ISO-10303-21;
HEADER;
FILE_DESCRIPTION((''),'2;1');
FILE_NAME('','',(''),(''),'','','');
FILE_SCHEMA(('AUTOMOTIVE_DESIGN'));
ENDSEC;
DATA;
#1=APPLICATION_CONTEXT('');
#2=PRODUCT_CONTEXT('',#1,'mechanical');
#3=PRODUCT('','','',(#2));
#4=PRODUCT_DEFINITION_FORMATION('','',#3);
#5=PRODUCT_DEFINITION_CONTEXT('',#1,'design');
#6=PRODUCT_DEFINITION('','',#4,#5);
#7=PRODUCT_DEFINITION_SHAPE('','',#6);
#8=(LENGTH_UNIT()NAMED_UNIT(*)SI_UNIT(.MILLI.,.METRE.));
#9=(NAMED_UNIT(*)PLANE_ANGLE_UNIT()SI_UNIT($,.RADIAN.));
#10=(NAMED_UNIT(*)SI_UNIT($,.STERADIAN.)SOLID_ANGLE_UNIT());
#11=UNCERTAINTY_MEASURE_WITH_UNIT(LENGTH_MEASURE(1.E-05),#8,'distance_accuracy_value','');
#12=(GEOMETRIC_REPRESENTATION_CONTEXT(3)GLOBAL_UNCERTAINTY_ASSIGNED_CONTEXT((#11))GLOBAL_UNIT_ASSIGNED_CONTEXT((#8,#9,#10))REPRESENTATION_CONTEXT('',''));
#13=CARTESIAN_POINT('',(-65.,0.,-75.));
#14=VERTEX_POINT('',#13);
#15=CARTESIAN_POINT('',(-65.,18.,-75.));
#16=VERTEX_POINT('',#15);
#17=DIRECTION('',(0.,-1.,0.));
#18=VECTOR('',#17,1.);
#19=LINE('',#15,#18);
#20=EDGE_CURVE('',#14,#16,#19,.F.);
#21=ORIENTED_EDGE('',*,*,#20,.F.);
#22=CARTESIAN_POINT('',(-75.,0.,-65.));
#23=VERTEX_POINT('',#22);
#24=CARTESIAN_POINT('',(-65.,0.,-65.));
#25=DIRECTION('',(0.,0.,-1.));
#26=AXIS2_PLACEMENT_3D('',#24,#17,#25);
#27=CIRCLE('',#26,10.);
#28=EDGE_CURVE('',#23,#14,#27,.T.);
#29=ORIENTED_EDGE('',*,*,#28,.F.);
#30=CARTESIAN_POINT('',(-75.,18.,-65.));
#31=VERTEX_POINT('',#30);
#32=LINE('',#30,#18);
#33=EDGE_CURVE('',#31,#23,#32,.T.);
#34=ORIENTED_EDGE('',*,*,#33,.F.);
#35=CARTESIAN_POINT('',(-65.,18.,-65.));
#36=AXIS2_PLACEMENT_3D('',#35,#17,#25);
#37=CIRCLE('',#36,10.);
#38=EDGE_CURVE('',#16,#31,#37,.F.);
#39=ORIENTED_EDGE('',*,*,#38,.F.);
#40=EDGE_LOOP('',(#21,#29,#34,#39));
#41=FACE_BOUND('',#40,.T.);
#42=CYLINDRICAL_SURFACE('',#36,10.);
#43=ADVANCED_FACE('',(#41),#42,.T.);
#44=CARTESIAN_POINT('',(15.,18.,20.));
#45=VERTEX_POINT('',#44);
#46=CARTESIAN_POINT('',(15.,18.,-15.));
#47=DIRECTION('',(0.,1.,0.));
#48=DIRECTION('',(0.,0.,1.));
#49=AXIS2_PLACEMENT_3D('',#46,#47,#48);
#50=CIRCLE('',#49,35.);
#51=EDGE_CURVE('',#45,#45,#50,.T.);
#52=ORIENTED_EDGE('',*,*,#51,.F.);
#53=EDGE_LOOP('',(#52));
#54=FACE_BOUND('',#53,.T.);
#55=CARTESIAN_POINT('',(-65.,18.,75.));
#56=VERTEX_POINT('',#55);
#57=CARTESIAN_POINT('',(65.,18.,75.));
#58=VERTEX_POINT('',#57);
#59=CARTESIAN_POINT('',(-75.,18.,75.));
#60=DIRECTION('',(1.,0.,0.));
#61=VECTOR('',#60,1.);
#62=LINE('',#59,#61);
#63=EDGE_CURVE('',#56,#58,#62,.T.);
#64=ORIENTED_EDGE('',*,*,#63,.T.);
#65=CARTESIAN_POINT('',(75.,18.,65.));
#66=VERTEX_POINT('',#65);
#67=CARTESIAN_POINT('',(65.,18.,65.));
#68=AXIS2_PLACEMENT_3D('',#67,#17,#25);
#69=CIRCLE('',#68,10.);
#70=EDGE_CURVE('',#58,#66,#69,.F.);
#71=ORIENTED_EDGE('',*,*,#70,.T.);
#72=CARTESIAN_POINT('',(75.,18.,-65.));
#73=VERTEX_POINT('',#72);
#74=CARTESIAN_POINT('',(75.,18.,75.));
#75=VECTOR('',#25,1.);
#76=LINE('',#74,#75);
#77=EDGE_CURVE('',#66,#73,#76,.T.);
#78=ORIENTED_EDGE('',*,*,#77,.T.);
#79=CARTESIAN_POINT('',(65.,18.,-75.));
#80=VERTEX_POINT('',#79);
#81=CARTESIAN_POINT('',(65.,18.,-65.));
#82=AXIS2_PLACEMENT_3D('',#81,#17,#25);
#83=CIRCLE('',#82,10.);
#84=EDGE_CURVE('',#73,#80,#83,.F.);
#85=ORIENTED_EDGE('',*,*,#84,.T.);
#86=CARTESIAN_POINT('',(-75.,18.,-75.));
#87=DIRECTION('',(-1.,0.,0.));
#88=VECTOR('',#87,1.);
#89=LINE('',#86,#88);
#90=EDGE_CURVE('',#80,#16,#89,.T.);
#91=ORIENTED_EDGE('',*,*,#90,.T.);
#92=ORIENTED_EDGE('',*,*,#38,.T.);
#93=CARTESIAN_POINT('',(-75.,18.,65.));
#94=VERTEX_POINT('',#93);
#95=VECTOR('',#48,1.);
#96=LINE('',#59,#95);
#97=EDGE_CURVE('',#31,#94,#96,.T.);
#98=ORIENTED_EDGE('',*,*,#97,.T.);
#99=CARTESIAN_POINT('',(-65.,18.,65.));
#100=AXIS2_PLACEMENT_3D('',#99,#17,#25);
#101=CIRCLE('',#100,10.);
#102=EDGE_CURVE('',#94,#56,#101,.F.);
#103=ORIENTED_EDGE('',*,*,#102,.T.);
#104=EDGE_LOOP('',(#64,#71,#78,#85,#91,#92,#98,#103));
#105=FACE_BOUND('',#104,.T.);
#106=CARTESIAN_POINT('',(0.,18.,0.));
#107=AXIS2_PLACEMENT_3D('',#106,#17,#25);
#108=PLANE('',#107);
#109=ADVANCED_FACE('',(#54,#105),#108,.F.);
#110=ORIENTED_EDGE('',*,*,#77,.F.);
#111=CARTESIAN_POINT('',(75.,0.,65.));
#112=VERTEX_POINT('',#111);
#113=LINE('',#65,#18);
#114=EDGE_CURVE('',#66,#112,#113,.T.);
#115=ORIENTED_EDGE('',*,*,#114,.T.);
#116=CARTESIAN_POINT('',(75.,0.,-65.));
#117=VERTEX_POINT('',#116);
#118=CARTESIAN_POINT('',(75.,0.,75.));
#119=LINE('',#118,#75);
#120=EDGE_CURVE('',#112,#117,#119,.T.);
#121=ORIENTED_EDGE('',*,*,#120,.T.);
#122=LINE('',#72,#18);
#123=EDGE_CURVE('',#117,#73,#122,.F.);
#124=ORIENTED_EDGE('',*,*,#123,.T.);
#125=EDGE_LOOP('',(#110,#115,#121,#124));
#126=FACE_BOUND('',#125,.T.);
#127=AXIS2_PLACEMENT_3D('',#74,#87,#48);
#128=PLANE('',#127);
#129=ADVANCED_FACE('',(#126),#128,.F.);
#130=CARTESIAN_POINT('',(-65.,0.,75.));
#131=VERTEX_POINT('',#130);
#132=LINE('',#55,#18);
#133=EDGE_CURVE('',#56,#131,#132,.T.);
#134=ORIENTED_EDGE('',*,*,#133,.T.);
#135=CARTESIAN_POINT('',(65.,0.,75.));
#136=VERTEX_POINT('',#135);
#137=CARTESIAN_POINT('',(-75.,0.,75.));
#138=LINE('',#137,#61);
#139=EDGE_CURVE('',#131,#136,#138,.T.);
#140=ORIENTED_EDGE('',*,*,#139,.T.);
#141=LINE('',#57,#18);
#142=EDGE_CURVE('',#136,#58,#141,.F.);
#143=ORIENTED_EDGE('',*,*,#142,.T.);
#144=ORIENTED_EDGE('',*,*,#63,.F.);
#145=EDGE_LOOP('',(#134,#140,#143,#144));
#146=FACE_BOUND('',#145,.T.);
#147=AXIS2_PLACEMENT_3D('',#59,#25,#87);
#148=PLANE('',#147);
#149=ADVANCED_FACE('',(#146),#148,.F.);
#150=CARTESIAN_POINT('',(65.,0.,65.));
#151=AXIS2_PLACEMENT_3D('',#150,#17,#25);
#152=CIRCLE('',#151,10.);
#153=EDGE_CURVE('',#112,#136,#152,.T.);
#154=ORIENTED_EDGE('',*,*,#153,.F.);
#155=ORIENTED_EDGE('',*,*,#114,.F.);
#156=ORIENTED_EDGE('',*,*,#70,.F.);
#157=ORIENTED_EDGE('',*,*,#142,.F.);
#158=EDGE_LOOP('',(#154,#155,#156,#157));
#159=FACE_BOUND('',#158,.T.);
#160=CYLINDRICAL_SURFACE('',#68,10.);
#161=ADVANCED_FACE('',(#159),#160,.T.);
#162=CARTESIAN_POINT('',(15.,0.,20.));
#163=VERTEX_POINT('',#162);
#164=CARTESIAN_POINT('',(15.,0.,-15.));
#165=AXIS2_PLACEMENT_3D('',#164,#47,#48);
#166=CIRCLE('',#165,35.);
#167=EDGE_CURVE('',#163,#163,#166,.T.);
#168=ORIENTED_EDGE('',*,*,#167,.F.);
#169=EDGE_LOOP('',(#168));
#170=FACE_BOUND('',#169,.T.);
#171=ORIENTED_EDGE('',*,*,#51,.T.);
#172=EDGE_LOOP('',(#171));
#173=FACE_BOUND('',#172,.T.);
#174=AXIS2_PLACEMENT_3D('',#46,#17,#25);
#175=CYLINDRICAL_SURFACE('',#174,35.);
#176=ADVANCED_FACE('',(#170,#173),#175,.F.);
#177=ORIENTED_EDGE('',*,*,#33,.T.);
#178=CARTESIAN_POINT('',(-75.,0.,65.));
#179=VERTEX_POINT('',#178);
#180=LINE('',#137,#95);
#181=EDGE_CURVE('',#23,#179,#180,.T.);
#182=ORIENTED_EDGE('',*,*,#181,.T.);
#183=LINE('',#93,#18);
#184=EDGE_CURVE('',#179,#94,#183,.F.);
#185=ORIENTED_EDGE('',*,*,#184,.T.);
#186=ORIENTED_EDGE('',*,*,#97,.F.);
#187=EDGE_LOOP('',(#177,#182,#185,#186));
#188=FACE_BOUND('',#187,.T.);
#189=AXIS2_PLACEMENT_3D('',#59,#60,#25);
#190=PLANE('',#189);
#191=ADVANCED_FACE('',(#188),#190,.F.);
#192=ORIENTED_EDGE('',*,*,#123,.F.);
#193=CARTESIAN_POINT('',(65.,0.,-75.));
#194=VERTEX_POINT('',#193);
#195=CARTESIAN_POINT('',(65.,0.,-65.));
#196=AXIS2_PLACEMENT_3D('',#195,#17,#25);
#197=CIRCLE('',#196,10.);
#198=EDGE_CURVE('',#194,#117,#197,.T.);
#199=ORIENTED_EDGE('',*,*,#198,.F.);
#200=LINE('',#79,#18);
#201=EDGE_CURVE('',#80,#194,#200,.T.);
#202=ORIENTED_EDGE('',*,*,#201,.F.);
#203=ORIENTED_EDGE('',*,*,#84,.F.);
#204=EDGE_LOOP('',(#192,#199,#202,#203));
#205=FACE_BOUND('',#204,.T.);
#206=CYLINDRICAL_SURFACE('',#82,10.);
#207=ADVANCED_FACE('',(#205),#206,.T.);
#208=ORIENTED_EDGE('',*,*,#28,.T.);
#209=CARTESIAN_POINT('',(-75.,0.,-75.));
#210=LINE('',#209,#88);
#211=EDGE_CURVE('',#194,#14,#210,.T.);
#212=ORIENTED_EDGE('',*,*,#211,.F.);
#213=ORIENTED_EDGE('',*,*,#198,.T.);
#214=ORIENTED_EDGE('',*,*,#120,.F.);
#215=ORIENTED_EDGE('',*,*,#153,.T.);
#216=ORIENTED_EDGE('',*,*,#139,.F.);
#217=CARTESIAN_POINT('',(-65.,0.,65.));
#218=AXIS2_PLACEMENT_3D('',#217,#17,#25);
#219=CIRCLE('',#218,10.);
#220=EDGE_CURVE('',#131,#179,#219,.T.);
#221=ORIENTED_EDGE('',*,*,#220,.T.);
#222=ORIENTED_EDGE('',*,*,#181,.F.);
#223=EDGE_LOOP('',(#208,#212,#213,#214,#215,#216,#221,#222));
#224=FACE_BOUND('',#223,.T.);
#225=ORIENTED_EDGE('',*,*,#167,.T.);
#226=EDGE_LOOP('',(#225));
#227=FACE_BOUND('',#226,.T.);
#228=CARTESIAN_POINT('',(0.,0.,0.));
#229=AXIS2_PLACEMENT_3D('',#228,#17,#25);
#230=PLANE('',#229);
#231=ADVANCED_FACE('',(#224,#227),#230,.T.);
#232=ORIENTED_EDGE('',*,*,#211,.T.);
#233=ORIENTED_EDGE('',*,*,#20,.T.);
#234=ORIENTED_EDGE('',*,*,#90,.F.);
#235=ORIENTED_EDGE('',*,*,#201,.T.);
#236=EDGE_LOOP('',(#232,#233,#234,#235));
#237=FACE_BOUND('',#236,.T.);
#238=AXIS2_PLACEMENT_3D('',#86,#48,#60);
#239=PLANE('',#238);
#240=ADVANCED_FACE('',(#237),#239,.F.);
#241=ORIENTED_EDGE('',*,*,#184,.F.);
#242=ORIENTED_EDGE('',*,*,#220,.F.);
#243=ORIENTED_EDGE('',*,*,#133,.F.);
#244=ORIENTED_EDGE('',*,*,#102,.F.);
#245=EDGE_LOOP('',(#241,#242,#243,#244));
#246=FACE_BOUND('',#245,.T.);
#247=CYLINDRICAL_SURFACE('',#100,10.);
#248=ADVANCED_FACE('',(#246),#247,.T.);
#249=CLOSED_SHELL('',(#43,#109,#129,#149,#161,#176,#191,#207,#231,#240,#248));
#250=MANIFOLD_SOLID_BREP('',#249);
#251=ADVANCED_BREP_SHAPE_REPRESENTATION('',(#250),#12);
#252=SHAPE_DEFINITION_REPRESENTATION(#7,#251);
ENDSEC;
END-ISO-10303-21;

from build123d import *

# Parameters (mm, degrees)
SKETCH_1_W      = 150
SKETCH_1_H      = 150
SKETCH_1_R      = 35
EXTRUDE_1_DEPTH = 18
FILLET_1_R      = 10


with BuildPart() as part:
    # 草图1 → 凸台-拉伸1 (new body)
    with BuildSketch(Plane(origin=(0, 0, 0), x_dir=(1, 0, 0), z_dir=(0, 1, 0))):
        Rectangle(SKETCH_1_W, SKETCH_1_H)
        with Locations(Location((15, 15, 0), (0, 0, 270))):
            Circle(SKETCH_1_R, mode=Mode.SUBTRACT)
    extrude(amount=EXTRUDE_1_DEPTH)

    # 圆角1
    fillet_1_edges = [part.edges().sort_by_distance(p)[0] for p in [
        (-75, 9, -75),
        (75, 9, -75),
        (75, 9, 75),
        (-75, 9, 75),
    ]]
    fillet(fillet_1_edges, radius=FILLET_1_R)


solid = part.part
